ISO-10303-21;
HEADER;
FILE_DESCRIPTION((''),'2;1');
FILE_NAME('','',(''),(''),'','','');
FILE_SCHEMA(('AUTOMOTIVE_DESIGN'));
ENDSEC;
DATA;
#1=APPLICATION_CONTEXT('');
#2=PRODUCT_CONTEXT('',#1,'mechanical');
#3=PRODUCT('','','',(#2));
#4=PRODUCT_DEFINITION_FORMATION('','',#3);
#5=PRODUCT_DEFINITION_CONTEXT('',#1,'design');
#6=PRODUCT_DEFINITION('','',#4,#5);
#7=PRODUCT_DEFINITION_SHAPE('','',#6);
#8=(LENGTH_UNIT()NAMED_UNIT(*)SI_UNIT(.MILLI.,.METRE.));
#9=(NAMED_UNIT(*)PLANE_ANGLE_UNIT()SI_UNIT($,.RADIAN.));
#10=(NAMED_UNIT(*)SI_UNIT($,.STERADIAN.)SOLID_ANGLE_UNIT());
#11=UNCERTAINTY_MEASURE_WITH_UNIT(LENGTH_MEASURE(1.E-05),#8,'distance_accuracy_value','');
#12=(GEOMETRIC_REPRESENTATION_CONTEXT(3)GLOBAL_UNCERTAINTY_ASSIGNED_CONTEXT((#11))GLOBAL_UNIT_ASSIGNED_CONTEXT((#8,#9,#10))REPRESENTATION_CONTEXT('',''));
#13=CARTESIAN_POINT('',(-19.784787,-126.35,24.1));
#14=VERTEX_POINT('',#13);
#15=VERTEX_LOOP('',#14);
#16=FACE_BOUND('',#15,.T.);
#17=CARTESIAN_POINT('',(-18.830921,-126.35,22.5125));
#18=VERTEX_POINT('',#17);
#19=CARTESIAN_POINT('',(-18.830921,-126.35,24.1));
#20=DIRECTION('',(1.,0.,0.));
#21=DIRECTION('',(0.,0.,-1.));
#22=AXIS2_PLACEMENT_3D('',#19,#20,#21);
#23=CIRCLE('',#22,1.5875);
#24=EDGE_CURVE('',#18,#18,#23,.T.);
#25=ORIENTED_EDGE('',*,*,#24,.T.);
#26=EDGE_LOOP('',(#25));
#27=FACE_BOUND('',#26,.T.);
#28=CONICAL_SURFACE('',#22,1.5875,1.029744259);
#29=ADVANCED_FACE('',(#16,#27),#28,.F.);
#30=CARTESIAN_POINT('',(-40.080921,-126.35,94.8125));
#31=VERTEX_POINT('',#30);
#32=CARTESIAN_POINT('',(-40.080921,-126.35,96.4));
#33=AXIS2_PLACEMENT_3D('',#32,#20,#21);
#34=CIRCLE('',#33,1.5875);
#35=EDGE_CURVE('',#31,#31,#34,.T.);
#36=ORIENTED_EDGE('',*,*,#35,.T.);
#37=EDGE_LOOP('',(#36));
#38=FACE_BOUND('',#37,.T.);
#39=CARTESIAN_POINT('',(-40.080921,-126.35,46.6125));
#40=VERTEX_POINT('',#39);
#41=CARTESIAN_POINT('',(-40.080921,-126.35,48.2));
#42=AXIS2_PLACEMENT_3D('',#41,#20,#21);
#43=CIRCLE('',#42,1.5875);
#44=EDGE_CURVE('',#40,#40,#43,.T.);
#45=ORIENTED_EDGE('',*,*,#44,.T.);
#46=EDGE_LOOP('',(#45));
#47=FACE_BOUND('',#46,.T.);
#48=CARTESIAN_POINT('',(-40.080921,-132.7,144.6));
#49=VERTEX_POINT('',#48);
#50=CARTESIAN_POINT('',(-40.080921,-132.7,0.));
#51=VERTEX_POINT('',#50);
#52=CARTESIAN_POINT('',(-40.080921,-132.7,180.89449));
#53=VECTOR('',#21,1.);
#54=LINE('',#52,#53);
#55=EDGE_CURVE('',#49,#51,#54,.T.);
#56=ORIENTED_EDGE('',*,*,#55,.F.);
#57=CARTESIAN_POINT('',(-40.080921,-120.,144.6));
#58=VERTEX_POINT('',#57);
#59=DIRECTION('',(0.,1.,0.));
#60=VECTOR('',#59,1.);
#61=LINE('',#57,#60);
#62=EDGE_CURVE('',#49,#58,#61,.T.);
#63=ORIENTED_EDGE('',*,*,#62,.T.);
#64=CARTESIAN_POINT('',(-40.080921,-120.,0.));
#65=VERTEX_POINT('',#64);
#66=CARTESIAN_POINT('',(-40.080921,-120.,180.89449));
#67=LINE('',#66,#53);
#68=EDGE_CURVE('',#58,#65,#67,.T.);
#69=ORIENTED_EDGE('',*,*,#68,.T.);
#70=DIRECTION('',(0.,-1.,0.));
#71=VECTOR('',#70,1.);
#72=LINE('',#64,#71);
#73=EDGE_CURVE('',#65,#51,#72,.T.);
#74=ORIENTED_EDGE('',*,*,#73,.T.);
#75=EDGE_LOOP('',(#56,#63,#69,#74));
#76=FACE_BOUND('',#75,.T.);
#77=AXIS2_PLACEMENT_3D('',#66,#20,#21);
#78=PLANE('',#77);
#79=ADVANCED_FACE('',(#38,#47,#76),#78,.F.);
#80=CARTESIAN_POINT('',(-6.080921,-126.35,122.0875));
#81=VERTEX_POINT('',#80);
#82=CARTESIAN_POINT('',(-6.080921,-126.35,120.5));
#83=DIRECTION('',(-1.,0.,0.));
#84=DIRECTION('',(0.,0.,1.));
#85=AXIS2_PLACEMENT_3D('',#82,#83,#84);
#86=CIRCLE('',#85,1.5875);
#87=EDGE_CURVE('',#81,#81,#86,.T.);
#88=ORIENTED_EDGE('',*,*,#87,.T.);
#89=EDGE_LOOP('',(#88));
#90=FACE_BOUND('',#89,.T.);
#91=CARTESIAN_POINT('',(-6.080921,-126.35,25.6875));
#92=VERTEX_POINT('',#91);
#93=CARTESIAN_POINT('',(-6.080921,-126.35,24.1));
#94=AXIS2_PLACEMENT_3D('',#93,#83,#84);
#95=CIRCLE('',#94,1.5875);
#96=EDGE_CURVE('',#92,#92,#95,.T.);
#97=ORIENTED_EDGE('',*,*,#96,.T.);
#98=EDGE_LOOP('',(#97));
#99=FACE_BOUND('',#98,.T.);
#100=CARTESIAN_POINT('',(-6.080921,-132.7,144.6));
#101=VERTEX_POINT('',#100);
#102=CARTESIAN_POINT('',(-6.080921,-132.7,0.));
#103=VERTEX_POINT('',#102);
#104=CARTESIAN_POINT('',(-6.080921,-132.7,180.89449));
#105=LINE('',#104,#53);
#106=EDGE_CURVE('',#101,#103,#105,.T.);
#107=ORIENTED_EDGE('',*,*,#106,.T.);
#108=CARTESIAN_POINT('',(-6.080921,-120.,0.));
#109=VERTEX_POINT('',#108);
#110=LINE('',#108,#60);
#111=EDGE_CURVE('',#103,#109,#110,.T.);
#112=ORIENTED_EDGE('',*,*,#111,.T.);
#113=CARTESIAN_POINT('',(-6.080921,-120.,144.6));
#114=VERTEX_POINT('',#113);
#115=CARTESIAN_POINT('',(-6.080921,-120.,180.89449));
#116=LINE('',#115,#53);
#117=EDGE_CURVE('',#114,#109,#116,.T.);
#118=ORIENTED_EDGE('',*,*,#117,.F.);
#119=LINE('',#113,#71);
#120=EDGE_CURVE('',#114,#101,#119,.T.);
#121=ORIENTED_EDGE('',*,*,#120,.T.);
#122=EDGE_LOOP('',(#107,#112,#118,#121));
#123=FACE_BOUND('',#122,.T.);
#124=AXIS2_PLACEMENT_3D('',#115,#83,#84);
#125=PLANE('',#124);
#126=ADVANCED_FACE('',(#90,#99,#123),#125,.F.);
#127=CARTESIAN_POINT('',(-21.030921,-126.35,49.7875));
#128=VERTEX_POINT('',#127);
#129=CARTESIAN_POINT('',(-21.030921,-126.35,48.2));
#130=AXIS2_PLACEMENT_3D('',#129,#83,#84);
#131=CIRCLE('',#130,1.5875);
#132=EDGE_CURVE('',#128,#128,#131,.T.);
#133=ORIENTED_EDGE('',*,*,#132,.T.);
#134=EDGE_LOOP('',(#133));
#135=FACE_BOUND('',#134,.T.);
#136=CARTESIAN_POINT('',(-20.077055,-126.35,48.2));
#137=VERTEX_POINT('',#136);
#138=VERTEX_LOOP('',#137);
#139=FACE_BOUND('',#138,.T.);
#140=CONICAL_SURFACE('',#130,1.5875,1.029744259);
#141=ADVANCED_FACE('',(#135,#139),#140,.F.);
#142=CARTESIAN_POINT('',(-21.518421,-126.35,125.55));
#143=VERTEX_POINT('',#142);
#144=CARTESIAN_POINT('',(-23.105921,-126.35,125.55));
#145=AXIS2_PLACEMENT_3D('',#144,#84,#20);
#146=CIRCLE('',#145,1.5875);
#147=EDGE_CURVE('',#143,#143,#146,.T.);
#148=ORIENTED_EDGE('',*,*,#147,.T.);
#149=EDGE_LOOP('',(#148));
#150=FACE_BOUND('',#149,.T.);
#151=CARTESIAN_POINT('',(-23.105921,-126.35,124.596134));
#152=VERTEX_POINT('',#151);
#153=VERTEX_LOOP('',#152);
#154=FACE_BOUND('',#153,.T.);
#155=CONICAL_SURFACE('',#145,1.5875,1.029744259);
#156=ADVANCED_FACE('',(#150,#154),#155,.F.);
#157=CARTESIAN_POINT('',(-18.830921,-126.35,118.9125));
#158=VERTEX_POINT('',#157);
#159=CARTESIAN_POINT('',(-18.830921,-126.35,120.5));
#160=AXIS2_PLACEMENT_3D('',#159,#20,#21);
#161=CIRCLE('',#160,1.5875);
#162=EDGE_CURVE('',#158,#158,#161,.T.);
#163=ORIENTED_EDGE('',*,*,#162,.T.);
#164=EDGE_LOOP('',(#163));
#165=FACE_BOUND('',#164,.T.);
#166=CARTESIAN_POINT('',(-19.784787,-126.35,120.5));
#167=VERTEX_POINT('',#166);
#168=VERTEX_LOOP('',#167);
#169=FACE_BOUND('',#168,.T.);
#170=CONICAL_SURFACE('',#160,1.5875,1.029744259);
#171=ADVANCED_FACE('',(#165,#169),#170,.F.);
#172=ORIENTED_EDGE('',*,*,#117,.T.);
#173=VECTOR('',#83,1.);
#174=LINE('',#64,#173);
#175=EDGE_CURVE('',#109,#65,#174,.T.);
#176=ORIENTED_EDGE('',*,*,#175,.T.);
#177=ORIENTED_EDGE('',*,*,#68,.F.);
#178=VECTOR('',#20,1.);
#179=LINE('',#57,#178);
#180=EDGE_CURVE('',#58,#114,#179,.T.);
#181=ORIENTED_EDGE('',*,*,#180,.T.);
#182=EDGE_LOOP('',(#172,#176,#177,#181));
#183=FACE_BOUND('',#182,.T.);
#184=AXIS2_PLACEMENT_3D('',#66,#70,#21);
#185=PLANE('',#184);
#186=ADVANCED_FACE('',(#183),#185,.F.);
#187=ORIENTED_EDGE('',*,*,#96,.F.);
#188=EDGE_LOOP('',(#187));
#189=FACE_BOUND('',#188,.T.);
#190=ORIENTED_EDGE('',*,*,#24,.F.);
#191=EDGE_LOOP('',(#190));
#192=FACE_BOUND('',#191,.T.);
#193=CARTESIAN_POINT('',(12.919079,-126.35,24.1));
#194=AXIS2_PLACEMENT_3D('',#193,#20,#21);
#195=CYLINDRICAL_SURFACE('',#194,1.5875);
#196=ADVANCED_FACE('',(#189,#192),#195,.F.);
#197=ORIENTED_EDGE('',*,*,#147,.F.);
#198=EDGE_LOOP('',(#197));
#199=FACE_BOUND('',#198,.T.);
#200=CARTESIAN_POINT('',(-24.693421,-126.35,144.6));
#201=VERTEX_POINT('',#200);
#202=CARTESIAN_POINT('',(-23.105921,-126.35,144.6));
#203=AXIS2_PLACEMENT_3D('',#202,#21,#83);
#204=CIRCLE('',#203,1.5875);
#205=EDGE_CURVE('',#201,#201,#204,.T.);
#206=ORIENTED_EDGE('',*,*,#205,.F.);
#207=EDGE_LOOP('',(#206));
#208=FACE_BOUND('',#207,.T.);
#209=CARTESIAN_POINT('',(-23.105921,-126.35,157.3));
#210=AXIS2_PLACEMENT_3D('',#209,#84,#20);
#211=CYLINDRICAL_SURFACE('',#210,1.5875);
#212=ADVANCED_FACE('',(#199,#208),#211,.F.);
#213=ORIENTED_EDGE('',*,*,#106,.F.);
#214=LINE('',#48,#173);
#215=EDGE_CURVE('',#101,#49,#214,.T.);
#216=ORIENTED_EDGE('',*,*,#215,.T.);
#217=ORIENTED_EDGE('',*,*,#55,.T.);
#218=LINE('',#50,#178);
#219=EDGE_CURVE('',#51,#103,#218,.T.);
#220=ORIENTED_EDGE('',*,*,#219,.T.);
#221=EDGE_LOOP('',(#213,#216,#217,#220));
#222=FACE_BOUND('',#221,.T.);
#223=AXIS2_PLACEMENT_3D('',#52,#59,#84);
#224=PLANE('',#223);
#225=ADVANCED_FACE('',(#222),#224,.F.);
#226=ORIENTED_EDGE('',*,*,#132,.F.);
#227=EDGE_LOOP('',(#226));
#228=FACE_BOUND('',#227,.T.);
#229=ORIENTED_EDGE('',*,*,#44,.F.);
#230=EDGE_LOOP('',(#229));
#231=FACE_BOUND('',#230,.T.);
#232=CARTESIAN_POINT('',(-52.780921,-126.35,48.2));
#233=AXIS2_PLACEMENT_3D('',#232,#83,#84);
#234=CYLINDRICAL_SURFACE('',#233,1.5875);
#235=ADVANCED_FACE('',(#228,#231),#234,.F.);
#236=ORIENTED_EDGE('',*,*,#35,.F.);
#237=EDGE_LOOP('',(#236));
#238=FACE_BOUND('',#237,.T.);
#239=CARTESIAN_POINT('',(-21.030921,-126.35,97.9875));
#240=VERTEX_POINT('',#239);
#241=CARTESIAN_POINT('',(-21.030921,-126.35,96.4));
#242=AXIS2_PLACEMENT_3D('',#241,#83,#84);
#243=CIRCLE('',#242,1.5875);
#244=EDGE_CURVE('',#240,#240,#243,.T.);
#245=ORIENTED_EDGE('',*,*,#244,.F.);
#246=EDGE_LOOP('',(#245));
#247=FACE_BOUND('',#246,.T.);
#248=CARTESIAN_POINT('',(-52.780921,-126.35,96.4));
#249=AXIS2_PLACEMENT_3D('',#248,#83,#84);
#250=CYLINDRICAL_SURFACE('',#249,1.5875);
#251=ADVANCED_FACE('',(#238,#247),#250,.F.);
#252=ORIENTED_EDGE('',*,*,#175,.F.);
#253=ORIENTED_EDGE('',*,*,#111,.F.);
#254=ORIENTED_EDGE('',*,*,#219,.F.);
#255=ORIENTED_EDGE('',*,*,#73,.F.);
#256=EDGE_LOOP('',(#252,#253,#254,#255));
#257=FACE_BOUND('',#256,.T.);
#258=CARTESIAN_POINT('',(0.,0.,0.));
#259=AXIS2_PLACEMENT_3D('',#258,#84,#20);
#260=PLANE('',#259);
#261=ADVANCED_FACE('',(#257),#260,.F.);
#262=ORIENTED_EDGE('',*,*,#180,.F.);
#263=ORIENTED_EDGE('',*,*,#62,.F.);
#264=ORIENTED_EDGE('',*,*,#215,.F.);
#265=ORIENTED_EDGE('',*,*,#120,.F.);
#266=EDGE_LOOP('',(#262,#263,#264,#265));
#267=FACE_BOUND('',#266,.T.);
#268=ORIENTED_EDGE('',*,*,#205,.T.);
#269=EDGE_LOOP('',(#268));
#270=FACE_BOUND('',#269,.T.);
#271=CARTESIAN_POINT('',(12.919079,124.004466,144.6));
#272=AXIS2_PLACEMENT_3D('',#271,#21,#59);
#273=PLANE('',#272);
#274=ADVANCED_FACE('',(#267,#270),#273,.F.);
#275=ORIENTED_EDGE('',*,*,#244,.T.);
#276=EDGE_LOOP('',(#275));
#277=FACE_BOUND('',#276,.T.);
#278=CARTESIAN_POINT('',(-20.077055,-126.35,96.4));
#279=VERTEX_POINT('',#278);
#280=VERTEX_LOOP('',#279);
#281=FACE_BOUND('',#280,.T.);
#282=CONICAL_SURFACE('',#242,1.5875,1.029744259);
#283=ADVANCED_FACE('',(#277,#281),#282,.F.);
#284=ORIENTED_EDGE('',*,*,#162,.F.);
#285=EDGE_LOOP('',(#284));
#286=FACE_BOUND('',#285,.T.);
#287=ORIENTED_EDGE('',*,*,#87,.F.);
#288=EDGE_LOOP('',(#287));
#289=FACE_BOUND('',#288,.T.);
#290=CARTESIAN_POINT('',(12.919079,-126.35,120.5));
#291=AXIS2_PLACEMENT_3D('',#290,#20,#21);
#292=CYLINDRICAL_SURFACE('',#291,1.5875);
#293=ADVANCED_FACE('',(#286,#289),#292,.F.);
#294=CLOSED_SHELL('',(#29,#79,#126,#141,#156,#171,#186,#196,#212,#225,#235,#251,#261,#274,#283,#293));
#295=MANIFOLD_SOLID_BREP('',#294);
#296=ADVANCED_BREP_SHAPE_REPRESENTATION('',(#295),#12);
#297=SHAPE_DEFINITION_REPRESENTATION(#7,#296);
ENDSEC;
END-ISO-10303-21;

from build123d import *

# Parameters (mm, degrees)
SKETCH1_W           = 34
SKETCH1_H           = 12.7
BOSS_EXTRUDE1_DEPTH = 144.6
HOLE1_D             = 3.175
HOLE1_DEPTH         = 31.75
HOLE1_CSINK_D       = 10.16
HOLE1_CSINK_ANGLE   = 82
HOLE1_TIP           = 0.953866233
HOLE2_D             = 3.175
HOLE2_DEPTH         = 31.75
HOLE2_CSINK_D       = 10.16
HOLE2_CSINK_ANGLE   = 82
HOLE2_TIP           = 0.953866233
HOLE5_D             = 3.175
HOLE5_DEPTH         = 31.75
HOLE5_CSINK_D       = 10.16
HOLE5_CSINK_ANGLE   = 82
HOLE5_TIP           = 0.953866233
HOLE6_D             = 3.175
HOLE6_DEPTH         = 31.75
HOLE6_CSINK_D       = 10.16
HOLE6_CSINK_ANGLE   = 82
HOLE6_TIP           = 0.953866233
HOLE7_D             = 3.175
HOLE7_DEPTH         = 31.75
HOLE7_CSINK_D       = 10.16
HOLE7_CSINK_ANGLE   = 82
HOLE7_TIP           = 0.953866233


with BuildPart() as part:
    # Sketch1 → Boss-Extrude1 (new body)
    with BuildSketch(Plane.XY):
        with Locations((-23.08092085, -126.349999994)):
            Rectangle(SKETCH1_W, SKETCH1_H)
    extrude(amount=BOSS_EXTRUDE1_DEPTH)

    # Hole1
    with Locations(Plane(origin=(12.91907915, 0, 155.024290059), x_dir=(0, -1, 0), z_dir=(1, 0, 0))):
        with Locations((126.349999994, 161.374290059), (146.083333327, 4.074290059), (172.166666661, 4.074290059), (126.349999994, 34.524290059), (126.349999994, 130.924290059), (-172.166666661, 4.074290059), (-146.083333327, 4.074290059), (-126.349999994, 34.524290059), (-126.349999994, 130.924290059), (-126.349999994, 161.374290059)):
            CounterSinkHole(HOLE1_D / 2, HOLE1_CSINK_D / 2, depth=HOLE1_DEPTH, counter_sink_angle=HOLE1_CSINK_ANGLE)
            with Locations((0, 0, -(HOLE1_DEPTH + HOLE1_TIP / 2))):  # 118° drill point
                Cone(0, HOLE1_D / 2, HOLE1_TIP, mode=Mode.SUBTRACT)

    # Hole2
    with Locations(Plane(origin=(12.91907915, 0, -10.424290059), x_dir=(0, 1, 0), z_dir=(1, 0, 0))):
        with Locations((126.349999994, 161.374290059), (146.083333327, 4.074290059), (172.166666661, 4.074290059), (126.349999994, 34.524290059), (126.349999994, 130.924290059), (-172.166666661, 4.074290059), (-146.083333327, 4.074290059), (-126.349999994, 34.524290059), (-126.349999994, 130.924290059), (-126.349999994, 161.374290059)):
            CounterSinkHole(HOLE2_D / 2, HOLE2_CSINK_D / 2, depth=HOLE2_DEPTH, counter_sink_angle=HOLE2_CSINK_ANGLE)
            with Locations((0, 0, -(HOLE2_DEPTH + HOLE2_TIP / 2))):  # 118° drill point
                Cone(0, HOLE2_D / 2, HOLE2_TIP, mode=Mode.SUBTRACT)

    # Hole5
    with Locations(Plane(origin=(-195.367659426, 0, 157.3), x_dir=(0, -1, 0), z_dir=(0, 0, 1))):
        with Locations((207.774999994, 172.261738577), (126.349999994, 172.261738577)):
            CounterSinkHole(HOLE5_D / 2, HOLE5_CSINK_D / 2, depth=HOLE5_DEPTH, counter_sink_angle=HOLE5_CSINK_ANGLE)
            with Locations((0, 0, -(HOLE5_DEPTH + HOLE5_TIP / 2))):  # 118° drill point
                Cone(0, HOLE5_D / 2, HOLE5_TIP, mode=Mode.SUBTRACT)

    # Hole6
    with Locations(Plane(origin=(-52.78092085, 0, -10.424290059), x_dir=(0, -1, 0), z_dir=(-1, 0, 0))):
        with Locations((-207.774999994, 333.02141023), (-207.774999994, 225.48903684), (-207.774999994, 137.424290059), (-172.166666661, 4.074290059), (-146.083333327, 4.074290059), (-94.599999994, 161.374290059), (0, 161.374290059), (94.599999994, 161.374290059), (146.083333327, 4.074290059), (172.166666661, 4.074290059), (207.774999994, 137.424290059), (207.774999994, 225.48903684), (207.774999994, 333.02141023), (166.795833328, 301.970350905), (40.979166666, 301.970350905), (-40.979166666, 301.970350905), (-166.795833328, 301.970350905), (0, 193.124290059), (0, 301.970350905), (0, 412.366411751), (-126.349999994, 106.824290059), (-126.349999994, 58.624290059), (126.349999994, 58.624290059), (126.349999994, 106.824290059)):
            CounterSinkHole(HOLE6_D / 2, HOLE6_CSINK_D / 2, depth=HOLE6_DEPTH, counter_sink_angle=HOLE6_CSINK_ANGLE)
            with Locations((0, 0, -(HOLE6_DEPTH + HOLE6_TIP / 2))):  # 118° drill point
                Cone(0, HOLE6_D / 2, HOLE6_TIP, mode=Mode.SUBTRACT)

    # Hole7
    with Locations(Plane(origin=(-52.78092085, 0, 155.024290059), x_dir=(0, 1, 0), z_dir=(-1, 0, 0))):
        with Locations((-207.774999994, 333.02141023), (-207.774999994, 225.48903684), (-207.774999994, 137.424290059), (-172.166666661, 4.074290059), (-146.083333327, 4.074290059), (-94.599999994, 161.374290059), (0, 161.374290059), (94.599999994, 161.374290059), (146.083333327, 4.074290059), (172.166666661, 4.074290059), (207.774999994, 137.424290059), (207.774999994, 225.48903684), (207.774999994, 333.02141023), (166.795833328, 301.970350905), (40.979166666, 301.970350905), (-40.979166666, 301.970350905), (-166.795833328, 301.970350905), (0, 193.124290059), (0, 301.970350905), (0, 412.366411751), (-126.349999994, 106.824290059), (-126.349999994, 58.624290059), (126.349999994, 58.624290059), (126.349999994, 106.824290059)):
            CounterSinkHole(HOLE7_D / 2, HOLE7_CSINK_D / 2, depth=HOLE7_DEPTH, counter_sink_angle=HOLE7_CSINK_ANGLE)
            with Locations((0, 0, -(HOLE7_DEPTH + HOLE7_TIP / 2))):  # 118° drill point
                Cone(0, HOLE7_D / 2, HOLE7_TIP, mode=Mode.SUBTRACT)


solid = part.part
